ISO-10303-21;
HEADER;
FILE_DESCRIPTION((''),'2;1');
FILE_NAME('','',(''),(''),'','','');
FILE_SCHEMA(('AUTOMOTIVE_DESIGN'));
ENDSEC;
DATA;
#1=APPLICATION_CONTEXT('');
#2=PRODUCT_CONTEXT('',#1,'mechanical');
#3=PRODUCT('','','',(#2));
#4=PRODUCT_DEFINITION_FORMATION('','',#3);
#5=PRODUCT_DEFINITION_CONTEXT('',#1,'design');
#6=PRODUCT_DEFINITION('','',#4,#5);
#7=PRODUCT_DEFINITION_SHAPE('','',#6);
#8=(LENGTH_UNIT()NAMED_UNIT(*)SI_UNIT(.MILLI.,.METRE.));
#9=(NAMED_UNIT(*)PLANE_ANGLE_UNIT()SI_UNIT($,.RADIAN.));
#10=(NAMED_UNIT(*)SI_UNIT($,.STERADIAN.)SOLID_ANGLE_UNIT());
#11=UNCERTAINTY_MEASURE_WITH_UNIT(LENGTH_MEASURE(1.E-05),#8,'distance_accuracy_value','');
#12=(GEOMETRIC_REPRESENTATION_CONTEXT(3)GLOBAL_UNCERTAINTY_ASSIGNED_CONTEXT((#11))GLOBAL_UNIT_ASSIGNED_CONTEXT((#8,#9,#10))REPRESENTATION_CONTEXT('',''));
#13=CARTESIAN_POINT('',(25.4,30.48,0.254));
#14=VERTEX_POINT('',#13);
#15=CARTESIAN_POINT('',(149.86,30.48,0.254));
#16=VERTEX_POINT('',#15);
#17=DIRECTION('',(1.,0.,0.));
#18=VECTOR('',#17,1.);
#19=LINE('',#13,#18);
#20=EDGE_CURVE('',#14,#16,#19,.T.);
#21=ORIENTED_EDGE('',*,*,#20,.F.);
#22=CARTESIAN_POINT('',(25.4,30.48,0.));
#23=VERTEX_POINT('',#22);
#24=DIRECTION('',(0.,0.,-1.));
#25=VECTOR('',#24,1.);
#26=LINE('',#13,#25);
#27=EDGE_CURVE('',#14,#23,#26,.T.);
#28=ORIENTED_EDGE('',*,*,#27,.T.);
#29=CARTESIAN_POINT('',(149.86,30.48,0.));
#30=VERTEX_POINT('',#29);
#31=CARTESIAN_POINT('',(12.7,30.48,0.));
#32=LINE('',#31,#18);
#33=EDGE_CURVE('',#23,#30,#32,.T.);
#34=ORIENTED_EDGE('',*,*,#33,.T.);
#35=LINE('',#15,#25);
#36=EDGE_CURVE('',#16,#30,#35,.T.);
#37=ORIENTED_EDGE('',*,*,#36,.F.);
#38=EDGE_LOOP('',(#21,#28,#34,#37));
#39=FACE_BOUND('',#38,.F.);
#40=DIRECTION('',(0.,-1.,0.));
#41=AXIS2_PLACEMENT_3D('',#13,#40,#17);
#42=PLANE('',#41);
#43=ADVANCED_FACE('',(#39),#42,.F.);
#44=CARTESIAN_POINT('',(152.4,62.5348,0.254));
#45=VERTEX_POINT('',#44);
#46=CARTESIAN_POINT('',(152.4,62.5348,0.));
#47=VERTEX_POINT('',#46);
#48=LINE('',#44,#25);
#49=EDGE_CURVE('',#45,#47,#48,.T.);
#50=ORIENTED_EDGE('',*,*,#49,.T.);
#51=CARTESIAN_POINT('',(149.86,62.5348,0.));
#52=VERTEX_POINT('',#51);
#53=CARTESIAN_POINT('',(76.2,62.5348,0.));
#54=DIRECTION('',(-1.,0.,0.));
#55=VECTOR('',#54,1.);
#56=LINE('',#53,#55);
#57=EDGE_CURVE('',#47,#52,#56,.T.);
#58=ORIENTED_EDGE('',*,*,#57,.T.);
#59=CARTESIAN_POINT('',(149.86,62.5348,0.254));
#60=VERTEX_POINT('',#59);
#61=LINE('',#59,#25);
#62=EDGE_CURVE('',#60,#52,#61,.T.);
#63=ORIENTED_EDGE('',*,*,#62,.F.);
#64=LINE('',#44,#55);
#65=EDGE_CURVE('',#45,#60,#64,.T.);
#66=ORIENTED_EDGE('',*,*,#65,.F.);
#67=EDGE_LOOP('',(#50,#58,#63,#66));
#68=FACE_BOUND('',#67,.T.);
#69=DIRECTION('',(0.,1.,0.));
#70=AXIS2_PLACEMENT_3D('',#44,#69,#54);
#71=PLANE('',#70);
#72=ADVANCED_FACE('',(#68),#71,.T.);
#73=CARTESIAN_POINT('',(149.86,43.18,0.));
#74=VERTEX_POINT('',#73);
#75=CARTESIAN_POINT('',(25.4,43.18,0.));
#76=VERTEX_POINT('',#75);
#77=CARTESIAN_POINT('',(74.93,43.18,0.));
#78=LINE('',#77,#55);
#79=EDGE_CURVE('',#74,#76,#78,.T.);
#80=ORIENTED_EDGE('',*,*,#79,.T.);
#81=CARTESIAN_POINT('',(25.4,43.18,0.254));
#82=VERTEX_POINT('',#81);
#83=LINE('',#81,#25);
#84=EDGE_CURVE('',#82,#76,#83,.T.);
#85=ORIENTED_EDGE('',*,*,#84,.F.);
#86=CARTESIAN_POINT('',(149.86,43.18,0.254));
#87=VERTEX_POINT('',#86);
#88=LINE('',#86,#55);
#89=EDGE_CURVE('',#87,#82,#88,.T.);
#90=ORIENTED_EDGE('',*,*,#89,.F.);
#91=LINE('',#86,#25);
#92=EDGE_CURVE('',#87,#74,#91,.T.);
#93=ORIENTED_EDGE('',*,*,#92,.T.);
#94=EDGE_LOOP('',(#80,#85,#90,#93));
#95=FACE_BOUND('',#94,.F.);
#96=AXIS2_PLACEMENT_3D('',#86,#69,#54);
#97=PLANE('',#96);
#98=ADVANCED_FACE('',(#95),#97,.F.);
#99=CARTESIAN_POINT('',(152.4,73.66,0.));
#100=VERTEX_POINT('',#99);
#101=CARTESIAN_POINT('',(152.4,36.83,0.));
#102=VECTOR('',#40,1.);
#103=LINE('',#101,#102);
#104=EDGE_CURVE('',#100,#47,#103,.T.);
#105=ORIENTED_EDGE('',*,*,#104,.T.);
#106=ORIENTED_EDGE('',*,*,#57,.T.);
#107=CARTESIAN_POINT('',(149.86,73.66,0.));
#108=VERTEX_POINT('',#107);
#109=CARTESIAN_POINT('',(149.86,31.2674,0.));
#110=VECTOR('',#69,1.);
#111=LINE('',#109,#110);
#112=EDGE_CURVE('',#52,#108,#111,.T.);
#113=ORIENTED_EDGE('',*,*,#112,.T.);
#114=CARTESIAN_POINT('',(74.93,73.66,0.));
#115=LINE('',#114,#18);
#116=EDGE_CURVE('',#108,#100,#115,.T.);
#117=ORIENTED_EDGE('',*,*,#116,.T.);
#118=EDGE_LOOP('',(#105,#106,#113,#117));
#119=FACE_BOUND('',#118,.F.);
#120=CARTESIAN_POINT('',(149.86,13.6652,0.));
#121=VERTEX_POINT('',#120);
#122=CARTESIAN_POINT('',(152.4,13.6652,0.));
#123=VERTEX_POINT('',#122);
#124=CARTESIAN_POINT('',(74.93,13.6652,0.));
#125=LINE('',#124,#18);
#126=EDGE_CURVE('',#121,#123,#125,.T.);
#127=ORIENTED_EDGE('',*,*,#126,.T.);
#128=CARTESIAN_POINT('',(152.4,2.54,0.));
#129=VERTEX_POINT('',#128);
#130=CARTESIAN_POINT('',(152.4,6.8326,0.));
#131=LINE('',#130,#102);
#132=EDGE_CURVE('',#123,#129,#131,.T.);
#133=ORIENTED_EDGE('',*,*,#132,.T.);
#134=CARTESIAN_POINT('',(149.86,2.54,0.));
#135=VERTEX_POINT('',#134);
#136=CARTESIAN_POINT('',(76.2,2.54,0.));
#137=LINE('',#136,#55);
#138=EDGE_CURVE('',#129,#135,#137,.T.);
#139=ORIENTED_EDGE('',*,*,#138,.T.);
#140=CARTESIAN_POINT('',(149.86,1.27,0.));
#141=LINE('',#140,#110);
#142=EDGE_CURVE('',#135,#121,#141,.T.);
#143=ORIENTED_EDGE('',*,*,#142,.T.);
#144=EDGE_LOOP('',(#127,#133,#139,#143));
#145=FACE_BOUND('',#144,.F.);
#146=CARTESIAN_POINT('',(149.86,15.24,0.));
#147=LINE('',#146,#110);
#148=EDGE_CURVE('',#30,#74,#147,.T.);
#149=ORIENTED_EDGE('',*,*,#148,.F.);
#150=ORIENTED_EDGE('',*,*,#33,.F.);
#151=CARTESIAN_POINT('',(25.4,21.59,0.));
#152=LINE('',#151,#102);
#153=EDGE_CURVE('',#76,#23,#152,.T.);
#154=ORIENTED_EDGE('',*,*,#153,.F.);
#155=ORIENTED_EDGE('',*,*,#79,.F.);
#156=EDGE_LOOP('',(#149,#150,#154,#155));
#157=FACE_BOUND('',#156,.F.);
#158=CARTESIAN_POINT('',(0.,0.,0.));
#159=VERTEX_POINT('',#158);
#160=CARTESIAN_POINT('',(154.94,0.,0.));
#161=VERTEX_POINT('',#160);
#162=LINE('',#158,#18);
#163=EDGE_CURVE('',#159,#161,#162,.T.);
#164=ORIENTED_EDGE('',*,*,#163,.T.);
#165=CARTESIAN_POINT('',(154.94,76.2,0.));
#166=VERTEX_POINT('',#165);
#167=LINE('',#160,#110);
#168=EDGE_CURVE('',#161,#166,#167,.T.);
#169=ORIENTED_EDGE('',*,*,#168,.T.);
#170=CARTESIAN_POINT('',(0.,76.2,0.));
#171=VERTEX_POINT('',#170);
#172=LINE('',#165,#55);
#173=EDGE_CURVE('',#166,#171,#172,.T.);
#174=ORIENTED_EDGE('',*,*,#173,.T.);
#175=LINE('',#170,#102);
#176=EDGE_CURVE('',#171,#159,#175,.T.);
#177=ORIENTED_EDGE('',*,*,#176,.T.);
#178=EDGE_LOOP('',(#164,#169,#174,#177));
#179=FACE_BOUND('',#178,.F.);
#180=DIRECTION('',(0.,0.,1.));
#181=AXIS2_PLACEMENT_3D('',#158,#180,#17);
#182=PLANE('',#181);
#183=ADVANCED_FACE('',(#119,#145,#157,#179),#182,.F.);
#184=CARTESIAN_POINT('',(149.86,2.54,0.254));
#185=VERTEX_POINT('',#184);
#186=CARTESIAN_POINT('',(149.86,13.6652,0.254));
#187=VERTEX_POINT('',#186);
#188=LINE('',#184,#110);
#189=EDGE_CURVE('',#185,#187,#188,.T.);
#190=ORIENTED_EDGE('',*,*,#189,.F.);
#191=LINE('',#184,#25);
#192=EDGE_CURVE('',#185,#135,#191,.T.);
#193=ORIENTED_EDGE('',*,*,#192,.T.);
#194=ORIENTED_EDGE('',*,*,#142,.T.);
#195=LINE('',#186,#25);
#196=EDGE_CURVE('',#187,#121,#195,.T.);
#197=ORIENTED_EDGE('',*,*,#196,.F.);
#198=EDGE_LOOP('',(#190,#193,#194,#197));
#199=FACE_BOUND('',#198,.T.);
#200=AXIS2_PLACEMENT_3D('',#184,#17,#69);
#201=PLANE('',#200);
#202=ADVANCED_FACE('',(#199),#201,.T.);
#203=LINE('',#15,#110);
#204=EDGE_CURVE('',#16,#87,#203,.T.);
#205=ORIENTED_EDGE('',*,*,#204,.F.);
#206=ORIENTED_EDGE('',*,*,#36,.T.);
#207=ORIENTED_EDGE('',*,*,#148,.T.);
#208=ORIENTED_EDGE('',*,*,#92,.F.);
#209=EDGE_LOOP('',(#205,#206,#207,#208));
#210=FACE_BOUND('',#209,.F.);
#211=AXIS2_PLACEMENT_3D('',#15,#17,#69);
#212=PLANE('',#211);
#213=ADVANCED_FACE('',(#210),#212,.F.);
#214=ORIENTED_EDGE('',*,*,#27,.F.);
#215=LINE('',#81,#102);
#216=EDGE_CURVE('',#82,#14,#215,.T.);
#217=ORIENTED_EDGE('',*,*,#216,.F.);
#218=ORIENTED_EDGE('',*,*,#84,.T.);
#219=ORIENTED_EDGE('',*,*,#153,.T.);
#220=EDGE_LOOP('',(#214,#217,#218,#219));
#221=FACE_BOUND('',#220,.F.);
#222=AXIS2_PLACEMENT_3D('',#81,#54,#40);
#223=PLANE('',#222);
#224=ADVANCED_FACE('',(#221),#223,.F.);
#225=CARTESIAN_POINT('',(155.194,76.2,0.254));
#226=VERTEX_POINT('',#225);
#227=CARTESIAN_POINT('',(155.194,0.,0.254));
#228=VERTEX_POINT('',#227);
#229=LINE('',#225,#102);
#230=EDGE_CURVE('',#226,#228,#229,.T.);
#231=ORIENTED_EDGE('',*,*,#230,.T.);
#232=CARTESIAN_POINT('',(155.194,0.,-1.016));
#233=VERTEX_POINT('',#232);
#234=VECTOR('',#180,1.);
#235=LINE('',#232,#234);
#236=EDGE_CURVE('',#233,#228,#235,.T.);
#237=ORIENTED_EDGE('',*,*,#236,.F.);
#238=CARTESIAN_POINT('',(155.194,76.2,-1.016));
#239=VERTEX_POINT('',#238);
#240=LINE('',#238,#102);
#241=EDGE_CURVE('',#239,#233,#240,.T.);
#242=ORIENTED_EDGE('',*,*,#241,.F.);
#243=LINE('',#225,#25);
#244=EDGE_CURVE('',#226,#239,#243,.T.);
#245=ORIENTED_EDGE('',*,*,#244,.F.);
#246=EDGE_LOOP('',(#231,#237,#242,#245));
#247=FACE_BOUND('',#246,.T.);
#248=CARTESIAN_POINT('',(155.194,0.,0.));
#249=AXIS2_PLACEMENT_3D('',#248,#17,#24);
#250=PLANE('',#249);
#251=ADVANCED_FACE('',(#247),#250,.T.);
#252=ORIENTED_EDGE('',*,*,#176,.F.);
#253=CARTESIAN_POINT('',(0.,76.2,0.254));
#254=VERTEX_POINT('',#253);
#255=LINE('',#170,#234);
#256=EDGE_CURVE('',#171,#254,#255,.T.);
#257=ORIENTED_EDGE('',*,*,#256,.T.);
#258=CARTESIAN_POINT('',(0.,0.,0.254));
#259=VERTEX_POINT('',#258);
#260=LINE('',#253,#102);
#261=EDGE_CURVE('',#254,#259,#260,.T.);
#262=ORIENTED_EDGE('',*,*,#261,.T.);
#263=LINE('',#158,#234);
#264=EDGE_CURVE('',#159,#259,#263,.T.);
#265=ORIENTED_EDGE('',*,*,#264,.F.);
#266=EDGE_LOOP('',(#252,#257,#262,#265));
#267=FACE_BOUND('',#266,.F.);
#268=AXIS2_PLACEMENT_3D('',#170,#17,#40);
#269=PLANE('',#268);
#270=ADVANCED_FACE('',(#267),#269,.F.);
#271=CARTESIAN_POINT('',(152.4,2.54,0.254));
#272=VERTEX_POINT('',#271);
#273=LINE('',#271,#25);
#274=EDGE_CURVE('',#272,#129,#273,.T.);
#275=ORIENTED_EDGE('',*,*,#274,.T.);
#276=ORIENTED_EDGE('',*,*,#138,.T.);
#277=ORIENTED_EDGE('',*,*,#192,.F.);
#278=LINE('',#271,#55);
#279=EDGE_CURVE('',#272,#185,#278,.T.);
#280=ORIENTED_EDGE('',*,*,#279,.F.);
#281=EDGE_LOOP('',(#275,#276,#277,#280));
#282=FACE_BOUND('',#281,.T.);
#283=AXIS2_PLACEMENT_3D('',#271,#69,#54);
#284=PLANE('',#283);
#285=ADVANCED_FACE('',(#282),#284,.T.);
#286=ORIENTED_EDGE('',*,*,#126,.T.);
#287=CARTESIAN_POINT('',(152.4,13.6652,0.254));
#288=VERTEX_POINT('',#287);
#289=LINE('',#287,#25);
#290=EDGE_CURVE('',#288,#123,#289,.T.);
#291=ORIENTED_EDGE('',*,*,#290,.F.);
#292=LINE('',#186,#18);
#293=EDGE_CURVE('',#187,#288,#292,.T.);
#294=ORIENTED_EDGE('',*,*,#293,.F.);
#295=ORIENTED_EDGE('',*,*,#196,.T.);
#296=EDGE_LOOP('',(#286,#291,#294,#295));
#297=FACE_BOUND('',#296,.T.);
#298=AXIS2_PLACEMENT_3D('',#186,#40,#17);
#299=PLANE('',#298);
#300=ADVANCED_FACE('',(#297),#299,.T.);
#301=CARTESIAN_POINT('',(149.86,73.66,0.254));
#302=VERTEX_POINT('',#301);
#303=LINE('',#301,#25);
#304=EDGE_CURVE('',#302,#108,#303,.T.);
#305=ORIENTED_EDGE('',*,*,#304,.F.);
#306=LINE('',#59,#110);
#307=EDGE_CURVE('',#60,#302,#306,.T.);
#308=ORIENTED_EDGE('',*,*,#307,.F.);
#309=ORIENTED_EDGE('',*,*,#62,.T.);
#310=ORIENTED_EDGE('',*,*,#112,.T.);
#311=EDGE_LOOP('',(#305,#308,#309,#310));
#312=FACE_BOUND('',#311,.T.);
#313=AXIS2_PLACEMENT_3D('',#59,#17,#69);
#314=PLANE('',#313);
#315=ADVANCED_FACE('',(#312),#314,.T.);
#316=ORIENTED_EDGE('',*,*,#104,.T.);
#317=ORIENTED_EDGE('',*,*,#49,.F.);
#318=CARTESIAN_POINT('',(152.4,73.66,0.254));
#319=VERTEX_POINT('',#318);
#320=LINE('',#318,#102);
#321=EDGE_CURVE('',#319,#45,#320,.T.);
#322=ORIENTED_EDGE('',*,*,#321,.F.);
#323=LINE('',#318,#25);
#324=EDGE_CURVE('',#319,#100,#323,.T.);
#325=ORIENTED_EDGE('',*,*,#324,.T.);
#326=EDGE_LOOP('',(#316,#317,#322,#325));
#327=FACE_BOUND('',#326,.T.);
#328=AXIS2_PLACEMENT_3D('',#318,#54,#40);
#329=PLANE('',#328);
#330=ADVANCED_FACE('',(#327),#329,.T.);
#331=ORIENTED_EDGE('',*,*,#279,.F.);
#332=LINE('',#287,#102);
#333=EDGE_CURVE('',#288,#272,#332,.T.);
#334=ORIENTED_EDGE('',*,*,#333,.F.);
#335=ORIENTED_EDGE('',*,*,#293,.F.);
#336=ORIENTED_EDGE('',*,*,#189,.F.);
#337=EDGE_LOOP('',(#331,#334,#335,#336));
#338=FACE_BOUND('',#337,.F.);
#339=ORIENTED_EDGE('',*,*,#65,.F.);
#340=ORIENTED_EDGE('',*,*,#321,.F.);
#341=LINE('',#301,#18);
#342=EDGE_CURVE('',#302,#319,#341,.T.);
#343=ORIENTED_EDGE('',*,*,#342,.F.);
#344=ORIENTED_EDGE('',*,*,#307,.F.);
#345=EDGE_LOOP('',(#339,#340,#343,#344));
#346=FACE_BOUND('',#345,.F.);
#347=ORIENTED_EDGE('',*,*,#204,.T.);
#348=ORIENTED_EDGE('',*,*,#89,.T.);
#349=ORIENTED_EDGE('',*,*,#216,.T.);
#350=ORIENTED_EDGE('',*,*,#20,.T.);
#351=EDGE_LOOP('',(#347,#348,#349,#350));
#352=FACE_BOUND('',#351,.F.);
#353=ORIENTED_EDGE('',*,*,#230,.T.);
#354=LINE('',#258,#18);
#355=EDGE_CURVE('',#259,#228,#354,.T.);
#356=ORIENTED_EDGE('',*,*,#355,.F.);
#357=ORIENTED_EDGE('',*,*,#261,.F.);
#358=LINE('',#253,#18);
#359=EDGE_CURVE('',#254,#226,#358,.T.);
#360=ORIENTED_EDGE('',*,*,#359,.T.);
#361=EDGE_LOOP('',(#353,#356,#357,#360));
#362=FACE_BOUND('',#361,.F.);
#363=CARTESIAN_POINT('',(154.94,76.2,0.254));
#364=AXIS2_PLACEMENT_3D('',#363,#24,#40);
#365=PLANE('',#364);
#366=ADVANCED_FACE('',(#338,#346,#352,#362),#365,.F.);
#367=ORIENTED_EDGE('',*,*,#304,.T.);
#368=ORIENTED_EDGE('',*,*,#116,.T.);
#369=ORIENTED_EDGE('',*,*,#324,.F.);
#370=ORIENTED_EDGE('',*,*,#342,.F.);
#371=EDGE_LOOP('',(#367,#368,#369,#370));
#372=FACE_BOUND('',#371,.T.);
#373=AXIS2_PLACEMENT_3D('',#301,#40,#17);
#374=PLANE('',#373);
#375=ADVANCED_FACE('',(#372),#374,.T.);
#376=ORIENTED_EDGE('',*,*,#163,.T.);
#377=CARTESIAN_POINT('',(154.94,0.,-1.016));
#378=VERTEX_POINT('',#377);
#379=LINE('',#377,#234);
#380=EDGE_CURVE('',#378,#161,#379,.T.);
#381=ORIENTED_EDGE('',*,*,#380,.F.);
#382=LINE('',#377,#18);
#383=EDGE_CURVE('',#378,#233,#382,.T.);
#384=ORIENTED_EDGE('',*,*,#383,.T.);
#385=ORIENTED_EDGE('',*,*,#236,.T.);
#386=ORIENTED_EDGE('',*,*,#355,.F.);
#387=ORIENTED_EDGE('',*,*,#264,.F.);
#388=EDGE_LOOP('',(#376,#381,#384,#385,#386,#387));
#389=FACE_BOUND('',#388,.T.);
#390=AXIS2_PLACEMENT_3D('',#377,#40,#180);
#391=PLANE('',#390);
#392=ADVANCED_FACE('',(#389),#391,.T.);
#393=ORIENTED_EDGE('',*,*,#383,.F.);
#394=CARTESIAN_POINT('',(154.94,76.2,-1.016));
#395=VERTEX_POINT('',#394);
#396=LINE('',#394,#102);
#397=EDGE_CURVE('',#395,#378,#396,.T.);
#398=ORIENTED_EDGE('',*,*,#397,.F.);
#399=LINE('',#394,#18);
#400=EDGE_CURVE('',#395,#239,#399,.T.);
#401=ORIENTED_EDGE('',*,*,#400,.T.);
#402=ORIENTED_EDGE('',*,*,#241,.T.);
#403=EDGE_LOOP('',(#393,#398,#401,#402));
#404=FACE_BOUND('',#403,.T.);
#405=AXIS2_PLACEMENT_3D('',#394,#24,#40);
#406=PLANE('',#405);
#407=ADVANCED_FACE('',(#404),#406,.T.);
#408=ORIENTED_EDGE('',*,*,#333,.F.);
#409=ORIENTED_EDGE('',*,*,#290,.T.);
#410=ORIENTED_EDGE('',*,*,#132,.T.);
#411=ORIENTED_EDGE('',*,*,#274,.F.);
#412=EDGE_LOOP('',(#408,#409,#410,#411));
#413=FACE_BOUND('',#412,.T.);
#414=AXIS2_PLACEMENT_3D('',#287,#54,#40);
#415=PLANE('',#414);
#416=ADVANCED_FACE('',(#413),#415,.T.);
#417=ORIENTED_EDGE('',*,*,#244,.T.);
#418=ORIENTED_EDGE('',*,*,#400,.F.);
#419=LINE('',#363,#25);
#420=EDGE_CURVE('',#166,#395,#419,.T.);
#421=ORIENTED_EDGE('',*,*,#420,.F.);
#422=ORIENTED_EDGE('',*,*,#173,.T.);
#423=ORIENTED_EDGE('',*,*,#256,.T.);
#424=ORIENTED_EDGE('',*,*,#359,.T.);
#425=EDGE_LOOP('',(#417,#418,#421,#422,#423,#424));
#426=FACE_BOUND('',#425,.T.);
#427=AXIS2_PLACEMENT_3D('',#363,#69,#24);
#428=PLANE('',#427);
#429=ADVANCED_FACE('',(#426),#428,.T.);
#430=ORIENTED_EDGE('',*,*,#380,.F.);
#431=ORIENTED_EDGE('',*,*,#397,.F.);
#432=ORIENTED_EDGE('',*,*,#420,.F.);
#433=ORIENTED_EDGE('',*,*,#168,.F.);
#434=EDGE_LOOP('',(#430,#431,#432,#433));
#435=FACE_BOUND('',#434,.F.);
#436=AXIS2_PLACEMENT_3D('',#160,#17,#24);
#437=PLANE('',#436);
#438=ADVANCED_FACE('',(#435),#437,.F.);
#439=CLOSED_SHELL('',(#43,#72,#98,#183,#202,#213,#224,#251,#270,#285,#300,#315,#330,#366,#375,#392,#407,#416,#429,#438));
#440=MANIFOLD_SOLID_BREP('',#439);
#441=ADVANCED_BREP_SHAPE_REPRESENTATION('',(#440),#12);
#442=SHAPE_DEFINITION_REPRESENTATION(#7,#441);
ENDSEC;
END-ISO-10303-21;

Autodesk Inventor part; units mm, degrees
ref_plane "YZ Plane" through (0, 0, 0) normal (1, 0, 0) x (0, 1, 0)
ref_plane "XZ Plane" through (0, 0, 0) normal (0, 1, 0) x (-1, 0, 0)
ref_plane "XY Plane" through (0, 0, 0) normal (0, 0, 1) x (1, 0, 0)
sketch "Sketch1" plane through (0, 0, 0) normal (0, 0, 1) x (1, 0, 0)
  line L0 (0, 0) -> (154.94, 0)
  line L1 (154.94, 0) -> (154.94, 76.2)
  line L2 (154.94, 76.2) -> (0, 76.2)
  line L3 (0, 76.2) -> (0, 0)
  dimension "d0" = 76.2
  dimension "d1" = 154.94
extrude "Extrusion1" add sketch "Sketch1" along normal blind 0.254
sketch "Sketch2" plane through (0, 0, 0.254) normal (0, 0, 1) x (1, 0, 0)
  line L0 (149.86, 73.66) -> (152.4, 73.66)
  line L1 (152.4, 73.66) -> (152.4, 62.5348)
  line L2 (152.4, 62.5348) -> (149.86, 62.5348)
  line L3 (149.86, 62.5348) -> (149.86, 73.66)
  line L4 (149.86, 13.6652) -> (152.4, 13.6652)
  line L5 (152.4, 13.6652) -> (152.4, 2.54)
  line L6 (152.4, 2.54) -> (149.86, 2.54)
  line L7 (149.86, 2.54) -> (149.86, 13.6652)
  line L8 (154.94, 0) -> (154.94, 76.2) projected
  line L9 (154.94, 76.2) -> (0, 76.2) projected
  line L10 (0, 0) -> (154.94, 0) projected
  point P0 (151.13, 73.66)
  point P1 (151.13, 2.54)
  dimension "d4" = 11.1252
  dimension "d5" = 2.54
  dimension "d6" = 2.54
  dimension "d7" = 2.54
  dimension "d8" = 2.54
  dimension "d9" = 11.1252
extrude "Extrusion2" cut sketch "Sketch2" against normal blind 25.4
sketch "Sketch3" plane through (154.94, 0, 0) normal (1, 0, 0) x (0, 0, -1)
  line L0 (-0.254, 76.2) -> (-0.254, 0) projected
  line L1 (-0.254, 76.2) -> (1.016, 76.2)
  line L2 (1.016, 76.2) -> (1.016, 0)
  line L3 (1.016, 0) -> (-0.254, 0)
  line L4 (-0.254, 0) -> (-0.254, 76.2)
  point P0 (0, 0)
  dimension "d12" = 1.27
extrude "Extrusion3" add sketch "Sketch3" along normal blind 0.254
sketch "Sketch4" plane through (0, 0, 0.254) normal (0, 0, 1) x (1, 0, 0)
  line L0 (149.86, 43.18) -> (25.4, 43.18)
  line L1 (25.4, 43.18) -> (25.4, 30.48)
  line L2 (25.4, 30.48) -> (149.86, 30.48)
  line L3 (149.86, 30.48) -> (149.86, 43.18)
  line L4 (149.86, 62.5348) -> (149.86, 73.66) projected
  line L5 (0, 76.2) -> (155.194, 76.2) projected
  line L6 (0, 76.2) -> (0, 0) projected
  dimension "d15" = 12.7
  dimension "d16" = 0
  dimension "d17" = 33.02
  dimension "d18" = 25.4
extrude "Extrusion4" cut sketch "Sketch4" against normal blind 25.4
properties part number "Front Back side"
